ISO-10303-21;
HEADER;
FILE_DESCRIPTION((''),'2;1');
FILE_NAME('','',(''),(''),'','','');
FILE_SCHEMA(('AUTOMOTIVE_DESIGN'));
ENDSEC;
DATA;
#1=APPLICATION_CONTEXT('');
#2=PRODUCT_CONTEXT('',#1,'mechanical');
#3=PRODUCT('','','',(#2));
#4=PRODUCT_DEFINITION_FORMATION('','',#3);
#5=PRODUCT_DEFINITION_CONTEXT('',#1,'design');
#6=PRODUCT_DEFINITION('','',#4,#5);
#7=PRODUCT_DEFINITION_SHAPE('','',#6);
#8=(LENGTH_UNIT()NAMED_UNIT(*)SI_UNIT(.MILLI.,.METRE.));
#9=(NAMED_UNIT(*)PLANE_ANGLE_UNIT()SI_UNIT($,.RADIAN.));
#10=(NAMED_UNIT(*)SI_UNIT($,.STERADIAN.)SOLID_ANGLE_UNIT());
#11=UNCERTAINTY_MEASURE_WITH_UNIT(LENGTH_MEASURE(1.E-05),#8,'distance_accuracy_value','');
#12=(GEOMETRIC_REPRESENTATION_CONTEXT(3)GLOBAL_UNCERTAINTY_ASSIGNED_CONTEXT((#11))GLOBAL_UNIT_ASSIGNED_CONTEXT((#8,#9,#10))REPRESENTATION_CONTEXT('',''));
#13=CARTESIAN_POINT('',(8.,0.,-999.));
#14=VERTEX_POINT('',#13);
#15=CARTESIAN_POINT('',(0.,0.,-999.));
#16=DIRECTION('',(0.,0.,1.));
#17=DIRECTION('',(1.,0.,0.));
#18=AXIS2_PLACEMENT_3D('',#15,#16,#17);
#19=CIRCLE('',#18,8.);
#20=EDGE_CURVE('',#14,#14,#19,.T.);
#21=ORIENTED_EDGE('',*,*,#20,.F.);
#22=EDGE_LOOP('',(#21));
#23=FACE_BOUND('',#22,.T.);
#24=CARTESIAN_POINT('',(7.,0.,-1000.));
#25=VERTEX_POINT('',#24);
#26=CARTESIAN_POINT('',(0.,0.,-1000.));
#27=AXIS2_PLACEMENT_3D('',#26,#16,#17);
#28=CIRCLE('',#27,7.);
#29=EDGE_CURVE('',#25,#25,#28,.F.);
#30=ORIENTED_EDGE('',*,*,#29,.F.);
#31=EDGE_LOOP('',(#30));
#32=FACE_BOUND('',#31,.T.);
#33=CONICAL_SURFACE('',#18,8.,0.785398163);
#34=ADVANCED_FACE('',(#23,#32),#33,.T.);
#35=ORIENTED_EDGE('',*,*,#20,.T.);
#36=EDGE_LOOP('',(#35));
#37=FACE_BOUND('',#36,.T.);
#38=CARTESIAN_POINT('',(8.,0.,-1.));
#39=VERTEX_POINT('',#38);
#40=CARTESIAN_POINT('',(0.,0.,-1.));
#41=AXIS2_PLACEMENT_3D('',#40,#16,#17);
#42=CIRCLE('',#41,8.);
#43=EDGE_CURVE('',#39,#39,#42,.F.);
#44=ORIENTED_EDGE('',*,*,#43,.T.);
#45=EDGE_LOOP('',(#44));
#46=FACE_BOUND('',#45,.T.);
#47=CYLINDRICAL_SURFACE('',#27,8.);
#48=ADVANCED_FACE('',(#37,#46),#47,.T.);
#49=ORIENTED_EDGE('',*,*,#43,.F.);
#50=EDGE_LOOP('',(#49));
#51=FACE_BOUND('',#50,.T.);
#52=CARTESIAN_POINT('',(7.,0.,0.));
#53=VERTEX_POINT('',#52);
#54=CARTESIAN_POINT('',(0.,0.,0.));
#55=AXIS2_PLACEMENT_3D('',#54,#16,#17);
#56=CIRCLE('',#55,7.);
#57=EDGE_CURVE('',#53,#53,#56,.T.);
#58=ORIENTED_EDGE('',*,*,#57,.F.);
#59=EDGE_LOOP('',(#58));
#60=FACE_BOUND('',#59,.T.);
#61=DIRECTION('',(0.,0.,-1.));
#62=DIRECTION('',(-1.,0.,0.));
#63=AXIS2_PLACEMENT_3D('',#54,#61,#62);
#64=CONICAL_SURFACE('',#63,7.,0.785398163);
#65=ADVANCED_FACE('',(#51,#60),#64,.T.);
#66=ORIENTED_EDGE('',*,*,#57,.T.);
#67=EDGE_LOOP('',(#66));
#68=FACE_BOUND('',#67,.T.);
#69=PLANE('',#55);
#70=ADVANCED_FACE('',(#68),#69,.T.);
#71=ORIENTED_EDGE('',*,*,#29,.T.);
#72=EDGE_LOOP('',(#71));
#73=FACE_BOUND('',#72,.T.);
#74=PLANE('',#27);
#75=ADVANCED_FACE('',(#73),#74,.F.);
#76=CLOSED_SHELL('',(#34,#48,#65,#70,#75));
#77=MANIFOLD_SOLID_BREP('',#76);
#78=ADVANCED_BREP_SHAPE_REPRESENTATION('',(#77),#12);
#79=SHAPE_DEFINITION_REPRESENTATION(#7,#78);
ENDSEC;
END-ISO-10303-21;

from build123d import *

# Parameters (mm, degrees)
SKETCH1_R          = 8
CORPO_DEPTH        = 1000
CHANFROS_1X45_SIZE = 1


with BuildPart() as part:
    # Sketch1 → Corpo (new body)
    with BuildSketch(Plane.XY):
        Circle(SKETCH1_R)
    extrude(amount=-CORPO_DEPTH)

    # Chanfros 1x45°
    chanfros_1x45_edges = [part.edges().sort_by_distance(p)[0] for p in [
        (-8, 0, 0),
        (-8, 0, -1000),
    ]]
    chamfer(chanfros_1x45_edges, length=CHANFROS_1X45_SIZE)


solid = part.part
